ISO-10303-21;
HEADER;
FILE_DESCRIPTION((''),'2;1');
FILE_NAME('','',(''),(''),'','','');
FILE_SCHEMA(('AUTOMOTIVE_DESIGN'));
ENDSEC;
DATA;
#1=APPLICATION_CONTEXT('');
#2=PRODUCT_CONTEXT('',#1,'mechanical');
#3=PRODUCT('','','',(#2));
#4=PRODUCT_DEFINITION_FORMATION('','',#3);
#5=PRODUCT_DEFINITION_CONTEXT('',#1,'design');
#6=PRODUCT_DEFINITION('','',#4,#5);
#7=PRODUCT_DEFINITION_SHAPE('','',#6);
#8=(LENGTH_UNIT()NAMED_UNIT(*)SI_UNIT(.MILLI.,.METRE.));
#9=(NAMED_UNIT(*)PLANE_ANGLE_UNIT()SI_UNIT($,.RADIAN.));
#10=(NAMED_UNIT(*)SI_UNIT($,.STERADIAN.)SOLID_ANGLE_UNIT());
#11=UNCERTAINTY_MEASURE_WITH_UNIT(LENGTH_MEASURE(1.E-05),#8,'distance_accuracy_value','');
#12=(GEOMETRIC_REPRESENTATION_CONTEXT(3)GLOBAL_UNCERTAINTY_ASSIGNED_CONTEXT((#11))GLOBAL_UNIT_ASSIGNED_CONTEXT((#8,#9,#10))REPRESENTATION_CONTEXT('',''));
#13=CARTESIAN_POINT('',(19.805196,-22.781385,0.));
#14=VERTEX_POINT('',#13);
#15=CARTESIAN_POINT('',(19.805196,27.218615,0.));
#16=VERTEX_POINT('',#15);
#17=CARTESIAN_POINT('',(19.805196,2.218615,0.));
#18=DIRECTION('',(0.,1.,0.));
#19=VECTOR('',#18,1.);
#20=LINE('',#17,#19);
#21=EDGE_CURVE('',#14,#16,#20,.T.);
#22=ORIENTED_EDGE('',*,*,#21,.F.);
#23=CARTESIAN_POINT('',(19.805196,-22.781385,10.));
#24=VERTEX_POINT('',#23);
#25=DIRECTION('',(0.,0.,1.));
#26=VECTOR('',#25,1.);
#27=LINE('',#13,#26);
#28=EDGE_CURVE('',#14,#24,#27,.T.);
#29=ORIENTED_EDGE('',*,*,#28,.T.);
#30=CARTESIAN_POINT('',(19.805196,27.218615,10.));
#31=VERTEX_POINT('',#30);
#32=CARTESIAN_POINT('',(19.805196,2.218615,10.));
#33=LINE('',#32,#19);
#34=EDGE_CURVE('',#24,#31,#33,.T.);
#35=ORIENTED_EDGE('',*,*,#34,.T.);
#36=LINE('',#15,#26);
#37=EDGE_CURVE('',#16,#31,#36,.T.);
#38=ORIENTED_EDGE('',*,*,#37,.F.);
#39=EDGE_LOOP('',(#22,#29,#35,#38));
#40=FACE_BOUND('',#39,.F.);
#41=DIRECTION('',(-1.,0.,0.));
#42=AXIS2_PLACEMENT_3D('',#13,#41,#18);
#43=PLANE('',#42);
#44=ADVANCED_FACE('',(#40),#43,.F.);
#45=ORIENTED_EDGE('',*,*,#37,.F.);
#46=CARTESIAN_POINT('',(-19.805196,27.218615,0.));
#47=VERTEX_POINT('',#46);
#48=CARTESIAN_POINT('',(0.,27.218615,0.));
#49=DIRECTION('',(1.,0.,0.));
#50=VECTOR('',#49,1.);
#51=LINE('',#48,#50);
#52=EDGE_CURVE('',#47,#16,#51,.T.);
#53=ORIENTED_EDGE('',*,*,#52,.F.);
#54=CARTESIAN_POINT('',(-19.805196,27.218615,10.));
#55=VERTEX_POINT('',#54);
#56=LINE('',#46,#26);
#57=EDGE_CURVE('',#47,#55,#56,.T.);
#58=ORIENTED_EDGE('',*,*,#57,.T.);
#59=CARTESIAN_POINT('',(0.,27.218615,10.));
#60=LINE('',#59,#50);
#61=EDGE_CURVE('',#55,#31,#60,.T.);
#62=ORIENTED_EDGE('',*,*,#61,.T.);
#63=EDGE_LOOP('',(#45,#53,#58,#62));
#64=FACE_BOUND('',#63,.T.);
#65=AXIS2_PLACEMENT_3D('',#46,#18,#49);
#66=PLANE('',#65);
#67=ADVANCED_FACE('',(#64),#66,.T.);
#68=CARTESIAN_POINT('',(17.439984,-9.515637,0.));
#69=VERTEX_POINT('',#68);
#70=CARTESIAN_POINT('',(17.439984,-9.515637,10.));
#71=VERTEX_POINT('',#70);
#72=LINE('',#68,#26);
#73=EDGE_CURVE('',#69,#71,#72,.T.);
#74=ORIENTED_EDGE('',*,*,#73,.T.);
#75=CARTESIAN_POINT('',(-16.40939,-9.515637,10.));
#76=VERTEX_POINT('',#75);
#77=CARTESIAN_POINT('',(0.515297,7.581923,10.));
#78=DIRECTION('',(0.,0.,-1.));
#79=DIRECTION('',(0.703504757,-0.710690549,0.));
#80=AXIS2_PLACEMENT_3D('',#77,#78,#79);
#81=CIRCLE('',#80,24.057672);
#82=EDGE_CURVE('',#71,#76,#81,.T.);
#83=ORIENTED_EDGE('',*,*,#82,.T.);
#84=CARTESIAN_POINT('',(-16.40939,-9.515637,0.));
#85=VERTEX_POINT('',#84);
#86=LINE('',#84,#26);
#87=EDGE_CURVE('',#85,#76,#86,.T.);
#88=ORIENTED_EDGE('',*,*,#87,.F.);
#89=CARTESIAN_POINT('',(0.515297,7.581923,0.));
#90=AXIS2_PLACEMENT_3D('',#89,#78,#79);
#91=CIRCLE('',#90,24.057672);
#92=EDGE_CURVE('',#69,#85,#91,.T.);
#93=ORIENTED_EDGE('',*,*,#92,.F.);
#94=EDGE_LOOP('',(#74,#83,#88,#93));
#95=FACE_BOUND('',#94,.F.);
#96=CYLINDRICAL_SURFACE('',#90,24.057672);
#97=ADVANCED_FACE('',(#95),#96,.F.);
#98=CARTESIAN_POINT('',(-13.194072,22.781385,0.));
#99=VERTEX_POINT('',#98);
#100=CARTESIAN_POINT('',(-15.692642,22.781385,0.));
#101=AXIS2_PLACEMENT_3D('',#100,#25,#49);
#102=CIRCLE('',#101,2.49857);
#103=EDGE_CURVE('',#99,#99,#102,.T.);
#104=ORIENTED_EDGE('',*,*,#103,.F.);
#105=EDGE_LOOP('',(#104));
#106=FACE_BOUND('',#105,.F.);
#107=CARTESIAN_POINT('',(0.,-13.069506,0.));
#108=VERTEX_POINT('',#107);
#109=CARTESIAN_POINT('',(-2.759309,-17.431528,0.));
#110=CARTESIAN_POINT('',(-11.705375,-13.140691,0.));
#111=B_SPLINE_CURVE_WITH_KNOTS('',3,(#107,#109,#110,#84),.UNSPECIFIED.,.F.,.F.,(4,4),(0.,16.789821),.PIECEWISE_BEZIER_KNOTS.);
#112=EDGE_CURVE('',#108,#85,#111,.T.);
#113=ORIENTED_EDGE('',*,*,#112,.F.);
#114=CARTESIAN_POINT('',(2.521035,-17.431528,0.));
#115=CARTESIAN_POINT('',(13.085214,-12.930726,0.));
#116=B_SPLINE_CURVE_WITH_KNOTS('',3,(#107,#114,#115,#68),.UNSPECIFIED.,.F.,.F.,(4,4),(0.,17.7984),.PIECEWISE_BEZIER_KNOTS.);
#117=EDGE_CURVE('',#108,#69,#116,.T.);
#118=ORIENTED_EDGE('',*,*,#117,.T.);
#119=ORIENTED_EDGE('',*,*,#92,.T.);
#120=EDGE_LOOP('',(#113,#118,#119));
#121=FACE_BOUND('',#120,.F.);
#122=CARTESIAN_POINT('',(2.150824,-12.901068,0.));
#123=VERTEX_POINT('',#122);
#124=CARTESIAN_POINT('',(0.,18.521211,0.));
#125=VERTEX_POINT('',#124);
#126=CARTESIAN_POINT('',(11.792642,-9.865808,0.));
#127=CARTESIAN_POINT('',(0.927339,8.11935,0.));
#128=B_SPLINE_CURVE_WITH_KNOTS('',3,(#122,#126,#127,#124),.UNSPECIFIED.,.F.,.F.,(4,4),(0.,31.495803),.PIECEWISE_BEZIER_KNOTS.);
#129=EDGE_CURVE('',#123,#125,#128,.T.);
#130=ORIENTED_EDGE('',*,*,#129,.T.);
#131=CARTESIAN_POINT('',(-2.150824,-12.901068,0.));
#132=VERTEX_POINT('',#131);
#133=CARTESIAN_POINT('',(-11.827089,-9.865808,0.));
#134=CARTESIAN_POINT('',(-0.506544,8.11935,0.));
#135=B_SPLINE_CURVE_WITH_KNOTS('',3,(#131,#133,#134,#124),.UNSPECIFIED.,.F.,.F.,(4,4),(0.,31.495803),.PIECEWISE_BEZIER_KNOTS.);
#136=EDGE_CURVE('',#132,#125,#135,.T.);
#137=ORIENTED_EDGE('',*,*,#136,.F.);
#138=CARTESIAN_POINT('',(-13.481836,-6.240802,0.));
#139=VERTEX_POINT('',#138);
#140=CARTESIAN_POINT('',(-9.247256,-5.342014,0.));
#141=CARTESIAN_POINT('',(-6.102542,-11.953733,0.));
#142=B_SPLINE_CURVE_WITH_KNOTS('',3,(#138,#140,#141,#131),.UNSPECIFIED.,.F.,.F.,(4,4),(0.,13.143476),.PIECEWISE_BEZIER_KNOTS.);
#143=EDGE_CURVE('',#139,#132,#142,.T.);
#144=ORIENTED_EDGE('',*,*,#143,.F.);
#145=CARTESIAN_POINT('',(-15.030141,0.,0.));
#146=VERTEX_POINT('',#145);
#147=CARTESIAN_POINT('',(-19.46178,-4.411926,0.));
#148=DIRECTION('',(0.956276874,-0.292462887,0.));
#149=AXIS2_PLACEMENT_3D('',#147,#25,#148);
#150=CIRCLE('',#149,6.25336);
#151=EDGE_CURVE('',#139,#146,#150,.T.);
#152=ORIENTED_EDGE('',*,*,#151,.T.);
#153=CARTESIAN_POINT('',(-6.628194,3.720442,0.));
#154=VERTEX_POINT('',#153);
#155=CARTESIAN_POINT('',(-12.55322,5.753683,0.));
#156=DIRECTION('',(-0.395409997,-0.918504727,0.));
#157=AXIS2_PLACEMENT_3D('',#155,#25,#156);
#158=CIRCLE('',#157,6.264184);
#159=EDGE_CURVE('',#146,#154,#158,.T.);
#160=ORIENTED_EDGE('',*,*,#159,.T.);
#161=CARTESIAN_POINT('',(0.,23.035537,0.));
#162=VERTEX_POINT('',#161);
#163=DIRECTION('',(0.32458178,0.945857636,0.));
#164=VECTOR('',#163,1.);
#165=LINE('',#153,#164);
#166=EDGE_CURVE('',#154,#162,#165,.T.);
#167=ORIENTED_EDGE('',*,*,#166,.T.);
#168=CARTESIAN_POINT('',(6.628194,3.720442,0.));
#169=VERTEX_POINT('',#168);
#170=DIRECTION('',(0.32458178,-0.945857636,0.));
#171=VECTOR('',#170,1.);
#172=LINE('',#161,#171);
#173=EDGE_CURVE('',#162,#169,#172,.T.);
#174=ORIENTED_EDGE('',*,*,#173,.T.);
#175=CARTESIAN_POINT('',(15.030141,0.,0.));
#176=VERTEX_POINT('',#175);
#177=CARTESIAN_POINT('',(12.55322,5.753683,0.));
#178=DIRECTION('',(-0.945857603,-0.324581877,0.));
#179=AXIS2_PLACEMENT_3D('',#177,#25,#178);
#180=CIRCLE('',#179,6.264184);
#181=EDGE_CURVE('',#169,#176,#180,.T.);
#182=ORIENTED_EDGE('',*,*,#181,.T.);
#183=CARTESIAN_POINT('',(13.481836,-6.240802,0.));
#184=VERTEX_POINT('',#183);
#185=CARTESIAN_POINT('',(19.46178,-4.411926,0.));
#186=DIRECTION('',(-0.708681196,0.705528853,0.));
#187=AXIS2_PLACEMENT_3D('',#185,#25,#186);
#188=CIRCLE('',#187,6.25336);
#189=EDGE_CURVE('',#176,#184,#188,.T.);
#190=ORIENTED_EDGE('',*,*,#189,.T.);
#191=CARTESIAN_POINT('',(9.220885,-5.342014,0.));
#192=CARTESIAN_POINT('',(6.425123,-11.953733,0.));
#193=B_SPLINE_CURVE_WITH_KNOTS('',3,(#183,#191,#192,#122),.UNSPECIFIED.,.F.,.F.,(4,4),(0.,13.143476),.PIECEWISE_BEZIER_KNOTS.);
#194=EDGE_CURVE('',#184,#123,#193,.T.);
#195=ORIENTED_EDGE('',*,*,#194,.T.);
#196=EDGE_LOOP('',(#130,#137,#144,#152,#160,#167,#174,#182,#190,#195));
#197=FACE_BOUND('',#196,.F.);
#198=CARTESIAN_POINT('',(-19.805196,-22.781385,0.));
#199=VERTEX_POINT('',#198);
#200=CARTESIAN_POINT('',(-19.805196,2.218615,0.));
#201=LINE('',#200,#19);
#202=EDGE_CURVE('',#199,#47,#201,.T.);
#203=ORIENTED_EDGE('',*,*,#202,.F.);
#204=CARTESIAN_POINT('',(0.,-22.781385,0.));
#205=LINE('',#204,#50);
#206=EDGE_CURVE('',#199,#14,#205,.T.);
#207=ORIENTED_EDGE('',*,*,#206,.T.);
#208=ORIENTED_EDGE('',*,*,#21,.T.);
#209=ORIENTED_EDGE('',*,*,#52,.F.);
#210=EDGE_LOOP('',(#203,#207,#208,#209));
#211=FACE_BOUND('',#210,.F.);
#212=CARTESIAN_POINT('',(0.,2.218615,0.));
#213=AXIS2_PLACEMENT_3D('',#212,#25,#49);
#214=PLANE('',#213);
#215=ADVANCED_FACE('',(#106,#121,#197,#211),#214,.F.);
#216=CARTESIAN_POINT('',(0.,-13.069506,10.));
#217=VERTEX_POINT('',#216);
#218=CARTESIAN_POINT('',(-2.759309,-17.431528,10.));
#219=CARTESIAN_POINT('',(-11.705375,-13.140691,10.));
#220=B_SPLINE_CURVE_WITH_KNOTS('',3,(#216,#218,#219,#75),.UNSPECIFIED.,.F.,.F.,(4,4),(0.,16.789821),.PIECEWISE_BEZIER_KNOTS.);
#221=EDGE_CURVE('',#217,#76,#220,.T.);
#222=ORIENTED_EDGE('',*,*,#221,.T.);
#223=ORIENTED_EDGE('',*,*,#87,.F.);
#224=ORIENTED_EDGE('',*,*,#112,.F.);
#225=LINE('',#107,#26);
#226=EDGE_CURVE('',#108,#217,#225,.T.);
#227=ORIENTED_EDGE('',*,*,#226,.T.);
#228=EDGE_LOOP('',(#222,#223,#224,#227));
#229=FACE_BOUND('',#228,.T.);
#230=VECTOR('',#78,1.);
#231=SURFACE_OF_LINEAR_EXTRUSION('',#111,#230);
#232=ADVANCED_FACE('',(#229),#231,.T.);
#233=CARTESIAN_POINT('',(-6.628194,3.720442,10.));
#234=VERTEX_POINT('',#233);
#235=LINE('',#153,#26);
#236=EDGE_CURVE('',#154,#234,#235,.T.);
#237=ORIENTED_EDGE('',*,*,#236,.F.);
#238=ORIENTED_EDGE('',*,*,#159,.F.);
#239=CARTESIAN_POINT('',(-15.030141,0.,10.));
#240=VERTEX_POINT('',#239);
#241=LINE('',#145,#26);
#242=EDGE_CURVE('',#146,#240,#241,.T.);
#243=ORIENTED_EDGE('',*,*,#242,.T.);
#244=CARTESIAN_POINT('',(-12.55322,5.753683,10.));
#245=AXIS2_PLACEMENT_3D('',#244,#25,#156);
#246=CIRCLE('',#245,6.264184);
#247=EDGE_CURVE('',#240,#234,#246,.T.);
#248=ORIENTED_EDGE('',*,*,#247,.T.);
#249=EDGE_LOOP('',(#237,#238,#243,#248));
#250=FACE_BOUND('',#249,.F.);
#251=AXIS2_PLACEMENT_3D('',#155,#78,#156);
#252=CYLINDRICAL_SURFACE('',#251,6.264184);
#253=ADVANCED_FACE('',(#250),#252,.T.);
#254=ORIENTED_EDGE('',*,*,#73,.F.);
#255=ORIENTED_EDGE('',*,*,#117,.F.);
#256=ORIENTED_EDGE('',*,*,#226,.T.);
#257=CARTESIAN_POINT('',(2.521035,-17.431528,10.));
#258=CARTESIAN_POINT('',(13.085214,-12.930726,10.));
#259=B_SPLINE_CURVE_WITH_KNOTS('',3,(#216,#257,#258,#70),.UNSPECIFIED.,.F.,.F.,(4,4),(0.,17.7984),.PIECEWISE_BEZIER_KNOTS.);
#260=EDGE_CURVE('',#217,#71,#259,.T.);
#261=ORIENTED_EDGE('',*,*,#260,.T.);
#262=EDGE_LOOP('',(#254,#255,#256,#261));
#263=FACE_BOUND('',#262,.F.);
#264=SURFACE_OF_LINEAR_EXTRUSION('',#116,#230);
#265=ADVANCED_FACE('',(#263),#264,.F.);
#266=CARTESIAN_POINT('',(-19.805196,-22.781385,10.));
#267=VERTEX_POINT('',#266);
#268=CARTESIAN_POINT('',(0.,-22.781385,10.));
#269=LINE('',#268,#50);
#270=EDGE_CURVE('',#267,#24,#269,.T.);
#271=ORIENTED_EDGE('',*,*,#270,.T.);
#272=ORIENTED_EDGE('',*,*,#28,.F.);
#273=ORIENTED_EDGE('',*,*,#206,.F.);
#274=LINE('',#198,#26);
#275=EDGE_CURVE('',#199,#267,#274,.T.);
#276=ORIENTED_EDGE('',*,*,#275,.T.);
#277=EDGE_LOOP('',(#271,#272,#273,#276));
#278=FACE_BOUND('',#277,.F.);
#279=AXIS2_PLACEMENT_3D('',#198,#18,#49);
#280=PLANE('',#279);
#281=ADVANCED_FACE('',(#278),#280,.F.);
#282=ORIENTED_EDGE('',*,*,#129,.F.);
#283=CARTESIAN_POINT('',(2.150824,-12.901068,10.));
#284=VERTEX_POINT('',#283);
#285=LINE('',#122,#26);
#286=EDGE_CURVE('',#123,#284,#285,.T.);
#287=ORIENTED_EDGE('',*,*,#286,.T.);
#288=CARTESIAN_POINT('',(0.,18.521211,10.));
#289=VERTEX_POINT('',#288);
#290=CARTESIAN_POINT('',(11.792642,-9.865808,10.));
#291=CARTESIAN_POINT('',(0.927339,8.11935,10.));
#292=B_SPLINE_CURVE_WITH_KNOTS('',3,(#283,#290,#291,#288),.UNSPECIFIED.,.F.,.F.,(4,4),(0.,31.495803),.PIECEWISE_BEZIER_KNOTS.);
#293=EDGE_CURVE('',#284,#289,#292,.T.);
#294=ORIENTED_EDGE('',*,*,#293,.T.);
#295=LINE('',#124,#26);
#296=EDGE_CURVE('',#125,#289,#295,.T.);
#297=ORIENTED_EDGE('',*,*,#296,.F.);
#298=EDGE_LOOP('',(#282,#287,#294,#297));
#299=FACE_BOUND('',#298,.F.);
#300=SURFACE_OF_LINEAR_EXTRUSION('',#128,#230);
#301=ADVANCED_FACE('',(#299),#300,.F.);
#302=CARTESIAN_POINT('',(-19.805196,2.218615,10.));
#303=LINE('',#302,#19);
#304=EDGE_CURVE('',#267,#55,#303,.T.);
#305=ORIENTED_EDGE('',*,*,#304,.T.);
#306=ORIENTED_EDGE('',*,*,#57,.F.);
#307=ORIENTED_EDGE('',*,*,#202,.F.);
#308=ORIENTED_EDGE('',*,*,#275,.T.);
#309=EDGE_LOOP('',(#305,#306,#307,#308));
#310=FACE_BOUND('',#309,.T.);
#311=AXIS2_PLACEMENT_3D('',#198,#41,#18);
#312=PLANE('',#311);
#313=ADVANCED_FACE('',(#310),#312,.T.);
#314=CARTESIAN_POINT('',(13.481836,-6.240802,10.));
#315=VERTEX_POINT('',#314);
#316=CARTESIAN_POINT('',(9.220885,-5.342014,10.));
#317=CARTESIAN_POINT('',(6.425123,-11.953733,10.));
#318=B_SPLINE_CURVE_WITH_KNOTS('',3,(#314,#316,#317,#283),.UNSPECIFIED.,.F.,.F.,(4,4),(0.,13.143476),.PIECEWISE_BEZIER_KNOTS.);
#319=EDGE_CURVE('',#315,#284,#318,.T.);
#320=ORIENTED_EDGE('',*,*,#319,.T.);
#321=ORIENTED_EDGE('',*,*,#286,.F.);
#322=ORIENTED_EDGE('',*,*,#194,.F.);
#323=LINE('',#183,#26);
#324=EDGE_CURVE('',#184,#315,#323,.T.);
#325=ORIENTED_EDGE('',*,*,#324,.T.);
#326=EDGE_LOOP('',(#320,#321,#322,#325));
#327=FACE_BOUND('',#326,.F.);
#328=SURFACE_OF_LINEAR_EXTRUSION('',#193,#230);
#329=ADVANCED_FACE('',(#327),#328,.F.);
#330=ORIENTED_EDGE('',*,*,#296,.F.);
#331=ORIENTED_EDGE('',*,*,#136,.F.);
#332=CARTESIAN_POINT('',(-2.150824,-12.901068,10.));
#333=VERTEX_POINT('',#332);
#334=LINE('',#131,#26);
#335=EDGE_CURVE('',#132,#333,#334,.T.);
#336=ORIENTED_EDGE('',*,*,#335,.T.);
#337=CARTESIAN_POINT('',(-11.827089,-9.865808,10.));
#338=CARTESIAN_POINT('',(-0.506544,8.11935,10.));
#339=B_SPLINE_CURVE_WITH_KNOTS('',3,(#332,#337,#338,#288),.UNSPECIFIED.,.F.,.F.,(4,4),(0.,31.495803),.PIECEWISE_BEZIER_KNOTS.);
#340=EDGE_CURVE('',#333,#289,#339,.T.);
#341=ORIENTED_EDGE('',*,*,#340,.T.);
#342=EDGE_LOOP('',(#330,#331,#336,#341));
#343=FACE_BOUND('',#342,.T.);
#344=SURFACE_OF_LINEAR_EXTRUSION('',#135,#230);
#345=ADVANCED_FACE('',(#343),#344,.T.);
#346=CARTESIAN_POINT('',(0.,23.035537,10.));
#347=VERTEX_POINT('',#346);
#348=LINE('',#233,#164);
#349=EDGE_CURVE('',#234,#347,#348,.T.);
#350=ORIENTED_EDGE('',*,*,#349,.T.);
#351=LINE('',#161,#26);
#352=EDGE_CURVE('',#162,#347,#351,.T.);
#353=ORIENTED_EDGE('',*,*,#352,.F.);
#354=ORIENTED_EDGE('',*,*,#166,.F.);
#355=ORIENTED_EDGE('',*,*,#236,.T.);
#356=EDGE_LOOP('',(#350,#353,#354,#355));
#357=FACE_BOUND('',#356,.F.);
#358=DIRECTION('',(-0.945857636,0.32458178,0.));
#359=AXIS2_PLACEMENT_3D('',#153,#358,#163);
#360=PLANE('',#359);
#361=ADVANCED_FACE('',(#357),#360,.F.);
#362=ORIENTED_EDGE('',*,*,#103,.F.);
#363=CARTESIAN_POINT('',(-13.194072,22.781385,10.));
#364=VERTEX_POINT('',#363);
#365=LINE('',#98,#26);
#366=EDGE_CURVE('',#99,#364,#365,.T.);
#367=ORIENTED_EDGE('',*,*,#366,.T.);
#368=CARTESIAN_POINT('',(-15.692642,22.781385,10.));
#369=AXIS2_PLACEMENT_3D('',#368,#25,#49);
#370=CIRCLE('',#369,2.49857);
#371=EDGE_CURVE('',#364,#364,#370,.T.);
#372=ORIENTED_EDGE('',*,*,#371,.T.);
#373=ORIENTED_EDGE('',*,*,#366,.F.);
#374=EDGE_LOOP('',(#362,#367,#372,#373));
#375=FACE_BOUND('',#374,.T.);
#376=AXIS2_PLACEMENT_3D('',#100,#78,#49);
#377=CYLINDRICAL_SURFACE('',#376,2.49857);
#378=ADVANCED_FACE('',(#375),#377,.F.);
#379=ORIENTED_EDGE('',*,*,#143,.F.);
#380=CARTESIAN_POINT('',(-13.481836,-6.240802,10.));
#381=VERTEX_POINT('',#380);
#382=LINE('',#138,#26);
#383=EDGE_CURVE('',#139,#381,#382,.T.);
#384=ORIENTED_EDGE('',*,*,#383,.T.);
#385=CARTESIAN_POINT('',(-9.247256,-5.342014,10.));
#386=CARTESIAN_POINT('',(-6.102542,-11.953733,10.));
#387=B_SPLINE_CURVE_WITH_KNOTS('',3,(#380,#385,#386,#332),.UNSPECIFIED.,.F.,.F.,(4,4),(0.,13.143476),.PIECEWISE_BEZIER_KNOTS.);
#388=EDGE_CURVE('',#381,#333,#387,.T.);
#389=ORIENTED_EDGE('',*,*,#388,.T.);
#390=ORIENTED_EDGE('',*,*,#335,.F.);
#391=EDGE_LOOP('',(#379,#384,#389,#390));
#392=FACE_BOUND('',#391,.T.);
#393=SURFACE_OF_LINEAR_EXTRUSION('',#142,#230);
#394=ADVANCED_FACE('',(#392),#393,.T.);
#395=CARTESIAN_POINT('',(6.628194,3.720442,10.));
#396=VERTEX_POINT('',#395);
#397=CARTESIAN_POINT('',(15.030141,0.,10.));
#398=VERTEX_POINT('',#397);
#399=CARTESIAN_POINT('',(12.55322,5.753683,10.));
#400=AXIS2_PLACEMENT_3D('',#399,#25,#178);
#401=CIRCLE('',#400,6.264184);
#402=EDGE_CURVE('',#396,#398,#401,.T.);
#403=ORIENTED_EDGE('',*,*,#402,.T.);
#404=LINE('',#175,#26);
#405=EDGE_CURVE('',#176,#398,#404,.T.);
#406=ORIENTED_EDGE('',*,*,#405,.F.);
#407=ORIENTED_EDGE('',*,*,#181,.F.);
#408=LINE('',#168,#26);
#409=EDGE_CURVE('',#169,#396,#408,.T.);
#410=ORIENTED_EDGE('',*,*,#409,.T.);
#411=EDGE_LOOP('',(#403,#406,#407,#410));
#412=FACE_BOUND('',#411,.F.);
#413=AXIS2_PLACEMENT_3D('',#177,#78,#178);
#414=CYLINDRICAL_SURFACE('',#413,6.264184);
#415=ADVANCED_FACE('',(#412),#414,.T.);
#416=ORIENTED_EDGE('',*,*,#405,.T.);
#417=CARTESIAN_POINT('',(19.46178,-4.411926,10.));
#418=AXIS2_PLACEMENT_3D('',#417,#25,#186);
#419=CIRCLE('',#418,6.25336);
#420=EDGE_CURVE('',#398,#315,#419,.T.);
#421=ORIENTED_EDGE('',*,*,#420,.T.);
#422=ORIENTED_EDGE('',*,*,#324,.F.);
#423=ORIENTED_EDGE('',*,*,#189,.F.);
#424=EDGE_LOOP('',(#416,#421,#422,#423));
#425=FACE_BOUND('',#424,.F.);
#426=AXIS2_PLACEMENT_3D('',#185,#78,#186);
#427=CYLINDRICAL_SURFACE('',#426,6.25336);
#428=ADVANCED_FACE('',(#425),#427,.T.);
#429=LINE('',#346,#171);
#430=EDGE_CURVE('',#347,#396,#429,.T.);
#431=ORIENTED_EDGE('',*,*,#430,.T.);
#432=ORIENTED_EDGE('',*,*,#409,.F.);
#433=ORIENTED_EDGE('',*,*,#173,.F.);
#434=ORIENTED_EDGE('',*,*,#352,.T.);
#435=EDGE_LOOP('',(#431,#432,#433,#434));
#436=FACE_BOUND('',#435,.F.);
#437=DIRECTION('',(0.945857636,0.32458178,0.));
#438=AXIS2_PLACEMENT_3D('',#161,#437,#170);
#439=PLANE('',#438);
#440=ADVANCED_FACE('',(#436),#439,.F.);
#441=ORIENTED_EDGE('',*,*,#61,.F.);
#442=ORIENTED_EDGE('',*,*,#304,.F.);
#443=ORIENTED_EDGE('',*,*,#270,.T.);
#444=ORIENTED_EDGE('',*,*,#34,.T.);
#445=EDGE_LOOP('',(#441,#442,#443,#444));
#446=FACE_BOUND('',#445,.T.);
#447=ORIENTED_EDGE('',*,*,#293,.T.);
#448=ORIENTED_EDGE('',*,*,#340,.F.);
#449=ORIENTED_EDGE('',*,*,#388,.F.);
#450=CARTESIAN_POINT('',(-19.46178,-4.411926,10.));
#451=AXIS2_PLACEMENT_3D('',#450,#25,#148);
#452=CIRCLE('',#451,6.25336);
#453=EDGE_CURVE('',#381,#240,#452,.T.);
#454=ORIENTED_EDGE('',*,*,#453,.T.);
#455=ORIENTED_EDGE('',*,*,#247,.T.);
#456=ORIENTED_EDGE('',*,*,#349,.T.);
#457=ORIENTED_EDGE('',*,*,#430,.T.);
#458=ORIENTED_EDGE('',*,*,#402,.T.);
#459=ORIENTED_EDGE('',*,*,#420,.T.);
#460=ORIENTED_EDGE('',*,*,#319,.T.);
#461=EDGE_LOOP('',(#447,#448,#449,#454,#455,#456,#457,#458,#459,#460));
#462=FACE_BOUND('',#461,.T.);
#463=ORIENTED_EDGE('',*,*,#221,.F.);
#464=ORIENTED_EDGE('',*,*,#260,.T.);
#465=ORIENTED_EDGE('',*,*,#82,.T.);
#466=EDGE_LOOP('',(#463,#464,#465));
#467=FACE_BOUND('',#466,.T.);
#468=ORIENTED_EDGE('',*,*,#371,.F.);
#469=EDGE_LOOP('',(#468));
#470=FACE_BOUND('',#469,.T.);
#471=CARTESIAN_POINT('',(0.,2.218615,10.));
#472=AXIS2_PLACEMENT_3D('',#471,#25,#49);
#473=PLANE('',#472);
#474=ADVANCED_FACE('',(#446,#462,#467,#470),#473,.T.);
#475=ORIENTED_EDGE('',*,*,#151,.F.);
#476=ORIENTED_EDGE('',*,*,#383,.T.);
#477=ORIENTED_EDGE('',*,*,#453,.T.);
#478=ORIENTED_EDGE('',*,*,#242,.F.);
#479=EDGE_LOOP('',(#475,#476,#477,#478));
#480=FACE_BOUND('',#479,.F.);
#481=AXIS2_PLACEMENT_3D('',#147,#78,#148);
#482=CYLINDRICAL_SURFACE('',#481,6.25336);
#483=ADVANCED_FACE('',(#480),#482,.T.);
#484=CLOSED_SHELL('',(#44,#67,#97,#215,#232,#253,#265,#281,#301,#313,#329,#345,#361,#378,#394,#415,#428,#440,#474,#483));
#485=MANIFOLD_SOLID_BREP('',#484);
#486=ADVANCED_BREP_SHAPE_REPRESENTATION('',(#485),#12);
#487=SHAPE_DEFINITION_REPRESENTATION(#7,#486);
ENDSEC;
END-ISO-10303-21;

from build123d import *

# Parameters (mm, degrees)
F0_W     = 39.610392
F0_H     = 50
F0_R     = 2.49857
F1_DEPTH = 10


with BuildPart() as f1:
    # F0 (on Top) → F1 (new body)
    with BuildSketch(Plane.XY):
        with Locations((0, 2.218615)):
            Rectangle(F0_W, F0_H)
        with BuildLine():
            ThreePointArc((17.439984, -9.515637), (0.515297, -16.475749), (-16.40939, -9.515637))
            add(Edge.make_bspline(
                [(0, -13.069506), (-2.759309, -17.431528), (-11.705375, -13.140691), (-16.40939, -9.515637)],
                knots=[0, 0, 0, 0, 16.789821, 16.789821, 16.789821, 16.789821], degree=3))
            add(Edge.make_bspline(
                [(0, -13.069506), (2.521035, -17.431528), (13.085214, -12.930726), (17.439984, -9.515637)],
                knots=[0, 0, 0, 0, 17.7984, 17.7984, 17.7984, 17.7984], degree=3))
        make_face(mode=Mode.SUBTRACT)
        with Locations((-15.692642, 22.781385)):
            Circle(F0_R, mode=Mode.SUBTRACT)
        with BuildLine():
            Line((-6.628194, 3.720442), (0, 23.035537))
            Line((0, 23.035537), (6.628194, 3.720442))
            ThreePointArc((6.628194, 3.720442), (10.016927, 0.025924), (15.030141, 0))
            ThreePointArc((15.030141, 0), (13.392417, -2.906154), (13.481836, -6.240802))
            add(Edge.make_bspline(
                [(13.481836, -6.240802), (9.220885, -5.342014), (6.425123, -11.953733), (2.150824, -12.901068)],
                knots=[0, 0, 0, 0, 13.143476, 13.143476, 13.143476, 13.143476], degree=3))
            add(Edge.make_bspline(
                [(2.150824, -12.901068), (11.792642, -9.865808), (0.927339, 8.11935), (0, 18.521211)],
                knots=[0, 0, 0, 0, 31.495803, 31.495803, 31.495803, 31.495803], degree=3))
            add(Edge.make_bspline(
                [(-2.150824, -12.901068), (-11.827089, -9.865808), (-0.506544, 8.11935), (0, 18.521211)],
                knots=[0, 0, 0, 0, 31.495803, 31.495803, 31.495803, 31.495803], degree=3))
            add(Edge.make_bspline(
                [(-13.481836, -6.240802), (-9.247256, -5.342014), (-6.102542, -11.953733), (-2.150824, -12.901068)],
                knots=[0, 0, 0, 0, 13.143476, 13.143476, 13.143476, 13.143476], degree=3))
            ThreePointArc((-13.481836, -6.240802), (-13.392417, -2.906154), (-15.030141, 0))
            ThreePointArc((-15.030141, 0), (-10.016927, 0.025924), (-6.628194, 3.720442))
        make_face(mode=Mode.SUBTRACT)
    extrude(amount=F1_DEPTH)


solid = f1.part
